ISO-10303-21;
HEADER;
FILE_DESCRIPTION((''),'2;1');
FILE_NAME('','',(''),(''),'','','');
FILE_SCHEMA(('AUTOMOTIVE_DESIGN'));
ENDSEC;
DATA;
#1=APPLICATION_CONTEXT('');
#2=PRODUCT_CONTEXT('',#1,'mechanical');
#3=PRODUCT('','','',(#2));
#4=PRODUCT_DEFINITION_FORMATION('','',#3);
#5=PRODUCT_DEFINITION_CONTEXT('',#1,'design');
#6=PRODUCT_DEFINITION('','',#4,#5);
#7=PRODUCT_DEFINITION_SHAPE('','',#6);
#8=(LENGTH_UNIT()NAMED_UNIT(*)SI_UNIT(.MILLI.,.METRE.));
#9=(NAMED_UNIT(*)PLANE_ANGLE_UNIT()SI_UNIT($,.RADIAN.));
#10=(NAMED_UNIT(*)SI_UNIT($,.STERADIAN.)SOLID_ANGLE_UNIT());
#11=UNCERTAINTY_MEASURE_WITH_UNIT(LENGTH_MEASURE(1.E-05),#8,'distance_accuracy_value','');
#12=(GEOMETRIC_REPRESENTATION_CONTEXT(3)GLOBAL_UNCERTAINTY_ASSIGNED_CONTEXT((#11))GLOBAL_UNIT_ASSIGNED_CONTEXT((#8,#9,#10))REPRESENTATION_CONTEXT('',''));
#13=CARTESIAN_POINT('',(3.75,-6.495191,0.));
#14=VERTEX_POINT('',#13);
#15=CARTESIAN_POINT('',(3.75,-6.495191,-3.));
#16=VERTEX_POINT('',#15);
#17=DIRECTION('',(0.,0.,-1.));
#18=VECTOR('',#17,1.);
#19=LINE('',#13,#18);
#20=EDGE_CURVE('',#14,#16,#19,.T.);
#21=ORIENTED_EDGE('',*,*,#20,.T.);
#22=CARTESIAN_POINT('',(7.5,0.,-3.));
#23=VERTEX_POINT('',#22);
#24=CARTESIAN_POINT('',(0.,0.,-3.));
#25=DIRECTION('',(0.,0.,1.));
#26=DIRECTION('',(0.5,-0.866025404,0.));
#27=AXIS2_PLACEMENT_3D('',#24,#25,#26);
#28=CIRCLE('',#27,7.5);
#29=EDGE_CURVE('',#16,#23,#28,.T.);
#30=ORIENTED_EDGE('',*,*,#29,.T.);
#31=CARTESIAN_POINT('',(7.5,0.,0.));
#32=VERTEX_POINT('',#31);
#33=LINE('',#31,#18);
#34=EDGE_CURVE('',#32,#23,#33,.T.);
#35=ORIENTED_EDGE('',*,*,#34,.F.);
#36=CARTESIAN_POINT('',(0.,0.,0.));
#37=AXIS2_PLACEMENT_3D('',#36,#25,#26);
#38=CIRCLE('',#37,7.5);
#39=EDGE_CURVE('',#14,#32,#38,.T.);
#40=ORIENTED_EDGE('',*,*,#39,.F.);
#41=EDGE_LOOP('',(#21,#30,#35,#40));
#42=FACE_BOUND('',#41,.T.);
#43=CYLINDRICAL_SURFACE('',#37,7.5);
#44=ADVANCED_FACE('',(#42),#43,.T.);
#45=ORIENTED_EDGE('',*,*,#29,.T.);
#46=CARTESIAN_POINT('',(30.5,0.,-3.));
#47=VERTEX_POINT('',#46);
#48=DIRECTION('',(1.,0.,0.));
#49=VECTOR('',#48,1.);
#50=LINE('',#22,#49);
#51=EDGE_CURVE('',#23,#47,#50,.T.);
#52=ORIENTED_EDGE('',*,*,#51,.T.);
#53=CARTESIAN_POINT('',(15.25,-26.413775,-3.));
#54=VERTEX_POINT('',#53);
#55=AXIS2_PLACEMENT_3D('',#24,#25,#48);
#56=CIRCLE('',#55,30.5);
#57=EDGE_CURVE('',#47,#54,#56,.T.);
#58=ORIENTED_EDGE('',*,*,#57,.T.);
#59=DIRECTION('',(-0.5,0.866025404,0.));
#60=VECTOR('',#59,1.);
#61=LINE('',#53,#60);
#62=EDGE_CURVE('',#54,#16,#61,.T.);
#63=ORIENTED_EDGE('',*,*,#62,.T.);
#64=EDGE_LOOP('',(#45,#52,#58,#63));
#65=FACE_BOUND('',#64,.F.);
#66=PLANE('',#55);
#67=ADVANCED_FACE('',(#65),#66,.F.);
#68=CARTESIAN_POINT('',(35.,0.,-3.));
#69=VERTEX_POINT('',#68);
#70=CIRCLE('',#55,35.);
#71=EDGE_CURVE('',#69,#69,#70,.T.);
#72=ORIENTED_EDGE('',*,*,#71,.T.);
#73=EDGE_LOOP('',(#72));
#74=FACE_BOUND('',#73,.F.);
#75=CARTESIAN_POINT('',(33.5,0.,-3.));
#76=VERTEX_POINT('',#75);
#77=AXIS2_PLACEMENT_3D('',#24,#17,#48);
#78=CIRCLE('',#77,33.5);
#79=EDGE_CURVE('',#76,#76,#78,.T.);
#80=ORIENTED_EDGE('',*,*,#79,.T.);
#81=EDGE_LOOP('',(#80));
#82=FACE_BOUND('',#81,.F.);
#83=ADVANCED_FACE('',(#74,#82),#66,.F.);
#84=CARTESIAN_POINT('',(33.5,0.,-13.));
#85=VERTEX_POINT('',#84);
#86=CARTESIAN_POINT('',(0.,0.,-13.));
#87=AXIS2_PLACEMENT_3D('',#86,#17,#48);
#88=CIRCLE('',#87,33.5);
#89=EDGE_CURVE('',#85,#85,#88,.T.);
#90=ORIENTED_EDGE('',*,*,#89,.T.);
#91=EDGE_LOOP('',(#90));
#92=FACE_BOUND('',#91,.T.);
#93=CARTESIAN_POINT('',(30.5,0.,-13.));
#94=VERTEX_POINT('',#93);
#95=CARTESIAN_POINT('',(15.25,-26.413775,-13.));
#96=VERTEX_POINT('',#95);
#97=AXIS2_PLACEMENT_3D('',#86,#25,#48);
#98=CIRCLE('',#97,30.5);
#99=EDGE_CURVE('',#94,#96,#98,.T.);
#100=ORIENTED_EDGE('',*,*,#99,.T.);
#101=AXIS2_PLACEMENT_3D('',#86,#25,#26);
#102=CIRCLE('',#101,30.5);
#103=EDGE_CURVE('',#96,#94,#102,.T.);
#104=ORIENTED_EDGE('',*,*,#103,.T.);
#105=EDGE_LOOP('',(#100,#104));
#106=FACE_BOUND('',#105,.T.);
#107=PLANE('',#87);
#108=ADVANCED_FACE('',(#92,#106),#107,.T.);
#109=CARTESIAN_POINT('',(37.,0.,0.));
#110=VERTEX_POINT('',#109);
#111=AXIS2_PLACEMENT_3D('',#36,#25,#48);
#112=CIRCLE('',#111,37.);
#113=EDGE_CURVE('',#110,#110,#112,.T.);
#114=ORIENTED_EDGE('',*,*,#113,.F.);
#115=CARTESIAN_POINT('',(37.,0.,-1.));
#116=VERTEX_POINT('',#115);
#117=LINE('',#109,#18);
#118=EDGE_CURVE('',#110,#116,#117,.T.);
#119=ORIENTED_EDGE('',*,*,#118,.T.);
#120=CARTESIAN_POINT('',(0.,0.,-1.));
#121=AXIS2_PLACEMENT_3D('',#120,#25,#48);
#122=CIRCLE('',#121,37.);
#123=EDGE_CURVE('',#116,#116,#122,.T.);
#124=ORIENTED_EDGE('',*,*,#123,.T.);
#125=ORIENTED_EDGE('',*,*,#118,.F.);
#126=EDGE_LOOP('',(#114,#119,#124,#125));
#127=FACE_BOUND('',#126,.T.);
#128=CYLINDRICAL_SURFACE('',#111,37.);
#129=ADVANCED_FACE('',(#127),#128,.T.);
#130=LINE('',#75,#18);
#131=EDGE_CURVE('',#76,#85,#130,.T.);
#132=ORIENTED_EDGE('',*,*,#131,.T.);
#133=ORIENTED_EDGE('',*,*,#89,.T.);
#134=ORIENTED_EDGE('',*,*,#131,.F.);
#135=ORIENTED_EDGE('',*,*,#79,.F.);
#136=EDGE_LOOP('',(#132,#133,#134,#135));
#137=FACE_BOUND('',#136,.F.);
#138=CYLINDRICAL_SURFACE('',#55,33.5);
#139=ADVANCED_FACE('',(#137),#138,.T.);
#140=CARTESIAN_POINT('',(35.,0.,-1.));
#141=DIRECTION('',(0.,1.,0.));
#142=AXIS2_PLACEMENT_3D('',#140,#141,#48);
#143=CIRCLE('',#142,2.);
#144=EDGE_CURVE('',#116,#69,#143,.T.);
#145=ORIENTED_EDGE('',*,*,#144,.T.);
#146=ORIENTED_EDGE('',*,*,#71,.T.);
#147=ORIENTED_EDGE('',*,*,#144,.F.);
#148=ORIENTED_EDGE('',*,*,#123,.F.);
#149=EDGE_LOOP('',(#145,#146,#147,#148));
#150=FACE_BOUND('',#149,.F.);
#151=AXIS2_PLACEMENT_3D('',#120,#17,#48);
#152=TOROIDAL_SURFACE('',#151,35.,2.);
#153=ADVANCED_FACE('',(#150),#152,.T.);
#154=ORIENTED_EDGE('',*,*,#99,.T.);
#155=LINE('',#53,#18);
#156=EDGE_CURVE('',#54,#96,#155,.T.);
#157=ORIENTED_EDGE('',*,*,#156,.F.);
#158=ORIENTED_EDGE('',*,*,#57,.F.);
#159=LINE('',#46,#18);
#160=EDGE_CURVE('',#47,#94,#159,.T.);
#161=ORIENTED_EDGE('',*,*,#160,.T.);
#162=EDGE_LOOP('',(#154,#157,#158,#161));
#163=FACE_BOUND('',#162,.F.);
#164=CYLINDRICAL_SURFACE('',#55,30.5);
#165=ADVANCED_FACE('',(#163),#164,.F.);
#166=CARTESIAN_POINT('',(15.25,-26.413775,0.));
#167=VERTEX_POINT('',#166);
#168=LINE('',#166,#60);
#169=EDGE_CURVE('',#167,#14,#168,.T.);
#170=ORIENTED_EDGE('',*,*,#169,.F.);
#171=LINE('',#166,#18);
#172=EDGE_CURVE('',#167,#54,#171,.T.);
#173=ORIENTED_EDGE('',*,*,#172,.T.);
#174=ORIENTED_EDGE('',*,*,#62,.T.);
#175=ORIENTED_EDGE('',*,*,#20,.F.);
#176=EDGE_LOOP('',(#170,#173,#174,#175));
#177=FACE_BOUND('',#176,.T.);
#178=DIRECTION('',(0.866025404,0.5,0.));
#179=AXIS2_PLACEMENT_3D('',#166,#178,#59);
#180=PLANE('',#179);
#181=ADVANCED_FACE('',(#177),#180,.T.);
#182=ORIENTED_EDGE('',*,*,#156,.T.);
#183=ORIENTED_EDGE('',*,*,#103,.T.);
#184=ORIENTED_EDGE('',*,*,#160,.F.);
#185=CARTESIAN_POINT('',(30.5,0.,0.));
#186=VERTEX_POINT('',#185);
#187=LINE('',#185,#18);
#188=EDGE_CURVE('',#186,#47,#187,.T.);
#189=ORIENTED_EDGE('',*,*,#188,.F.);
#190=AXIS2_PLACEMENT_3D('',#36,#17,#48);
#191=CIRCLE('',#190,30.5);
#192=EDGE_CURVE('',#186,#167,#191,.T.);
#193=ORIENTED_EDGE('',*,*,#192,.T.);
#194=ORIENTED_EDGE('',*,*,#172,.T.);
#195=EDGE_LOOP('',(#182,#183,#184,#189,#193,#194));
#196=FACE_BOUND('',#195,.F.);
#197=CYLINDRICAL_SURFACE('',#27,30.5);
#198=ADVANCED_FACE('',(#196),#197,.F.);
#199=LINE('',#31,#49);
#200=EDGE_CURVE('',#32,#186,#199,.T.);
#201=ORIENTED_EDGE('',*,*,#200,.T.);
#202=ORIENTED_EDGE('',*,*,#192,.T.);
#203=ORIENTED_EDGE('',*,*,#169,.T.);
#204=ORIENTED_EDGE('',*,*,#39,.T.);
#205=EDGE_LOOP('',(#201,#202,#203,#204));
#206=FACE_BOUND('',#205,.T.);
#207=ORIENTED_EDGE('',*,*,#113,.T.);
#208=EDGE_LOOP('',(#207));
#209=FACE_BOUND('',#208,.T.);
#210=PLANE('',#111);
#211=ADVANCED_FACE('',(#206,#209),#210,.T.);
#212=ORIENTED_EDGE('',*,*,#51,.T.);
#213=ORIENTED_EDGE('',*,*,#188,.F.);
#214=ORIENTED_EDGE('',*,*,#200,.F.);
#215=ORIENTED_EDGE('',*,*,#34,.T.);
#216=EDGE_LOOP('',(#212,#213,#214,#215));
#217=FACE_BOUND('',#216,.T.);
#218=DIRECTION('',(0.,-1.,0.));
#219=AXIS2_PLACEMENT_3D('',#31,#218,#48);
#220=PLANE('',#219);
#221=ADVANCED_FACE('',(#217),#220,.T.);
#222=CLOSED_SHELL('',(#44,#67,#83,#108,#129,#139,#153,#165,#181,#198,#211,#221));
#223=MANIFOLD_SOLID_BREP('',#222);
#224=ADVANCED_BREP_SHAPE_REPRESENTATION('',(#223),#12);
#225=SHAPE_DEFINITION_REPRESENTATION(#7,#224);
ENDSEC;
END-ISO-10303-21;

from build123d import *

# Parameters (mm, degrees)
F0_R     = 37
F1_DEPTH = 3
F2_R     = 2
F3_R     = 33.5
F4_DEPTH = 10


with BuildPart() as f1:
    # F0 (on Top) → F1 (new body)
    with BuildSketch(Plane.XY):
        Circle(F0_R)
        with BuildLine():
            ThreePointArc((16.75, -29.0118510268), (-29.0118510268, 16.75), (33.5, 0))
            ThreePointArc((33.5, 0), (29.0118510268, -16.75), (16.75, -29.0118510268))
        make_face(mode=Mode.SUBTRACT)
        with BuildLine():
            Line((7.5, 0), (30.5, 0))
            ThreePointArc((30.5, 0), (-26.4137748154, 15.25), (15.25, -26.4137748154))
            Line((15.25, -26.4137748154), (3.75, -6.4951905284))
            ThreePointArc((3.75, -6.4951905284), (-6.4951905284, 3.75), (7.5, 0))
        make_face()
        with BuildLine():
            Line((30.5, 0), (33.5, 0))
            ThreePointArc((33.5, 0), (-29.0118510268, 16.75), (16.75, -29.0118510268))
            Line((16.75, -29.0118510268), (15.25, -26.4137748154))
            ThreePointArc((15.25, -26.4137748154), (-26.4137748154, 15.25), (30.5, 0))
        make_face()
        with BuildLine():
            ThreePointArc((3.75, -6.4951905284), (6.4951905284, -3.75), (7.5, 0))
            ThreePointArc((7.5, 0), (-6.4951905284, 3.75), (3.75, -6.4951905284))
        make_face()
        with BuildLine():
            ThreePointArc((16.75, -29.0118510268), (29.0118510268, -16.75), (33.5, 0))
            Line((33.5, 0), (30.5, 0))
            ThreePointArc((30.5, 0), (26.4137748154, -15.25), (15.25, -26.4137748154))
            Line((15.25, -26.4137748154), (16.75, -29.0118510268))
        make_face()
    extrude(amount=-F1_DEPTH)

    # F2
    f2_edges = [f1.edges().sort_by_distance(p)[0] for p in [
        (-37, 0, -3),
    ]]
    fillet(f2_edges, radius=F2_R)

    # F3 (on face) → F4 (join)
    with BuildSketch(Plane(origin=(0, 0, -3), x_dir=(1, 0, 0), z_dir=(0, 0, -1))):
        Circle(F3_R)
        with BuildLine():
            ThreePointArc((15.25, 26.4137748154), (26.4137748154, 15.25), (30.5, 0))
            ThreePointArc((30.5, 0), (-26.4137748154, -15.25), (15.25, 26.4137748154))
        make_face(mode=Mode.SUBTRACT)
    extrude(amount=F4_DEPTH)


solid = f1.part
